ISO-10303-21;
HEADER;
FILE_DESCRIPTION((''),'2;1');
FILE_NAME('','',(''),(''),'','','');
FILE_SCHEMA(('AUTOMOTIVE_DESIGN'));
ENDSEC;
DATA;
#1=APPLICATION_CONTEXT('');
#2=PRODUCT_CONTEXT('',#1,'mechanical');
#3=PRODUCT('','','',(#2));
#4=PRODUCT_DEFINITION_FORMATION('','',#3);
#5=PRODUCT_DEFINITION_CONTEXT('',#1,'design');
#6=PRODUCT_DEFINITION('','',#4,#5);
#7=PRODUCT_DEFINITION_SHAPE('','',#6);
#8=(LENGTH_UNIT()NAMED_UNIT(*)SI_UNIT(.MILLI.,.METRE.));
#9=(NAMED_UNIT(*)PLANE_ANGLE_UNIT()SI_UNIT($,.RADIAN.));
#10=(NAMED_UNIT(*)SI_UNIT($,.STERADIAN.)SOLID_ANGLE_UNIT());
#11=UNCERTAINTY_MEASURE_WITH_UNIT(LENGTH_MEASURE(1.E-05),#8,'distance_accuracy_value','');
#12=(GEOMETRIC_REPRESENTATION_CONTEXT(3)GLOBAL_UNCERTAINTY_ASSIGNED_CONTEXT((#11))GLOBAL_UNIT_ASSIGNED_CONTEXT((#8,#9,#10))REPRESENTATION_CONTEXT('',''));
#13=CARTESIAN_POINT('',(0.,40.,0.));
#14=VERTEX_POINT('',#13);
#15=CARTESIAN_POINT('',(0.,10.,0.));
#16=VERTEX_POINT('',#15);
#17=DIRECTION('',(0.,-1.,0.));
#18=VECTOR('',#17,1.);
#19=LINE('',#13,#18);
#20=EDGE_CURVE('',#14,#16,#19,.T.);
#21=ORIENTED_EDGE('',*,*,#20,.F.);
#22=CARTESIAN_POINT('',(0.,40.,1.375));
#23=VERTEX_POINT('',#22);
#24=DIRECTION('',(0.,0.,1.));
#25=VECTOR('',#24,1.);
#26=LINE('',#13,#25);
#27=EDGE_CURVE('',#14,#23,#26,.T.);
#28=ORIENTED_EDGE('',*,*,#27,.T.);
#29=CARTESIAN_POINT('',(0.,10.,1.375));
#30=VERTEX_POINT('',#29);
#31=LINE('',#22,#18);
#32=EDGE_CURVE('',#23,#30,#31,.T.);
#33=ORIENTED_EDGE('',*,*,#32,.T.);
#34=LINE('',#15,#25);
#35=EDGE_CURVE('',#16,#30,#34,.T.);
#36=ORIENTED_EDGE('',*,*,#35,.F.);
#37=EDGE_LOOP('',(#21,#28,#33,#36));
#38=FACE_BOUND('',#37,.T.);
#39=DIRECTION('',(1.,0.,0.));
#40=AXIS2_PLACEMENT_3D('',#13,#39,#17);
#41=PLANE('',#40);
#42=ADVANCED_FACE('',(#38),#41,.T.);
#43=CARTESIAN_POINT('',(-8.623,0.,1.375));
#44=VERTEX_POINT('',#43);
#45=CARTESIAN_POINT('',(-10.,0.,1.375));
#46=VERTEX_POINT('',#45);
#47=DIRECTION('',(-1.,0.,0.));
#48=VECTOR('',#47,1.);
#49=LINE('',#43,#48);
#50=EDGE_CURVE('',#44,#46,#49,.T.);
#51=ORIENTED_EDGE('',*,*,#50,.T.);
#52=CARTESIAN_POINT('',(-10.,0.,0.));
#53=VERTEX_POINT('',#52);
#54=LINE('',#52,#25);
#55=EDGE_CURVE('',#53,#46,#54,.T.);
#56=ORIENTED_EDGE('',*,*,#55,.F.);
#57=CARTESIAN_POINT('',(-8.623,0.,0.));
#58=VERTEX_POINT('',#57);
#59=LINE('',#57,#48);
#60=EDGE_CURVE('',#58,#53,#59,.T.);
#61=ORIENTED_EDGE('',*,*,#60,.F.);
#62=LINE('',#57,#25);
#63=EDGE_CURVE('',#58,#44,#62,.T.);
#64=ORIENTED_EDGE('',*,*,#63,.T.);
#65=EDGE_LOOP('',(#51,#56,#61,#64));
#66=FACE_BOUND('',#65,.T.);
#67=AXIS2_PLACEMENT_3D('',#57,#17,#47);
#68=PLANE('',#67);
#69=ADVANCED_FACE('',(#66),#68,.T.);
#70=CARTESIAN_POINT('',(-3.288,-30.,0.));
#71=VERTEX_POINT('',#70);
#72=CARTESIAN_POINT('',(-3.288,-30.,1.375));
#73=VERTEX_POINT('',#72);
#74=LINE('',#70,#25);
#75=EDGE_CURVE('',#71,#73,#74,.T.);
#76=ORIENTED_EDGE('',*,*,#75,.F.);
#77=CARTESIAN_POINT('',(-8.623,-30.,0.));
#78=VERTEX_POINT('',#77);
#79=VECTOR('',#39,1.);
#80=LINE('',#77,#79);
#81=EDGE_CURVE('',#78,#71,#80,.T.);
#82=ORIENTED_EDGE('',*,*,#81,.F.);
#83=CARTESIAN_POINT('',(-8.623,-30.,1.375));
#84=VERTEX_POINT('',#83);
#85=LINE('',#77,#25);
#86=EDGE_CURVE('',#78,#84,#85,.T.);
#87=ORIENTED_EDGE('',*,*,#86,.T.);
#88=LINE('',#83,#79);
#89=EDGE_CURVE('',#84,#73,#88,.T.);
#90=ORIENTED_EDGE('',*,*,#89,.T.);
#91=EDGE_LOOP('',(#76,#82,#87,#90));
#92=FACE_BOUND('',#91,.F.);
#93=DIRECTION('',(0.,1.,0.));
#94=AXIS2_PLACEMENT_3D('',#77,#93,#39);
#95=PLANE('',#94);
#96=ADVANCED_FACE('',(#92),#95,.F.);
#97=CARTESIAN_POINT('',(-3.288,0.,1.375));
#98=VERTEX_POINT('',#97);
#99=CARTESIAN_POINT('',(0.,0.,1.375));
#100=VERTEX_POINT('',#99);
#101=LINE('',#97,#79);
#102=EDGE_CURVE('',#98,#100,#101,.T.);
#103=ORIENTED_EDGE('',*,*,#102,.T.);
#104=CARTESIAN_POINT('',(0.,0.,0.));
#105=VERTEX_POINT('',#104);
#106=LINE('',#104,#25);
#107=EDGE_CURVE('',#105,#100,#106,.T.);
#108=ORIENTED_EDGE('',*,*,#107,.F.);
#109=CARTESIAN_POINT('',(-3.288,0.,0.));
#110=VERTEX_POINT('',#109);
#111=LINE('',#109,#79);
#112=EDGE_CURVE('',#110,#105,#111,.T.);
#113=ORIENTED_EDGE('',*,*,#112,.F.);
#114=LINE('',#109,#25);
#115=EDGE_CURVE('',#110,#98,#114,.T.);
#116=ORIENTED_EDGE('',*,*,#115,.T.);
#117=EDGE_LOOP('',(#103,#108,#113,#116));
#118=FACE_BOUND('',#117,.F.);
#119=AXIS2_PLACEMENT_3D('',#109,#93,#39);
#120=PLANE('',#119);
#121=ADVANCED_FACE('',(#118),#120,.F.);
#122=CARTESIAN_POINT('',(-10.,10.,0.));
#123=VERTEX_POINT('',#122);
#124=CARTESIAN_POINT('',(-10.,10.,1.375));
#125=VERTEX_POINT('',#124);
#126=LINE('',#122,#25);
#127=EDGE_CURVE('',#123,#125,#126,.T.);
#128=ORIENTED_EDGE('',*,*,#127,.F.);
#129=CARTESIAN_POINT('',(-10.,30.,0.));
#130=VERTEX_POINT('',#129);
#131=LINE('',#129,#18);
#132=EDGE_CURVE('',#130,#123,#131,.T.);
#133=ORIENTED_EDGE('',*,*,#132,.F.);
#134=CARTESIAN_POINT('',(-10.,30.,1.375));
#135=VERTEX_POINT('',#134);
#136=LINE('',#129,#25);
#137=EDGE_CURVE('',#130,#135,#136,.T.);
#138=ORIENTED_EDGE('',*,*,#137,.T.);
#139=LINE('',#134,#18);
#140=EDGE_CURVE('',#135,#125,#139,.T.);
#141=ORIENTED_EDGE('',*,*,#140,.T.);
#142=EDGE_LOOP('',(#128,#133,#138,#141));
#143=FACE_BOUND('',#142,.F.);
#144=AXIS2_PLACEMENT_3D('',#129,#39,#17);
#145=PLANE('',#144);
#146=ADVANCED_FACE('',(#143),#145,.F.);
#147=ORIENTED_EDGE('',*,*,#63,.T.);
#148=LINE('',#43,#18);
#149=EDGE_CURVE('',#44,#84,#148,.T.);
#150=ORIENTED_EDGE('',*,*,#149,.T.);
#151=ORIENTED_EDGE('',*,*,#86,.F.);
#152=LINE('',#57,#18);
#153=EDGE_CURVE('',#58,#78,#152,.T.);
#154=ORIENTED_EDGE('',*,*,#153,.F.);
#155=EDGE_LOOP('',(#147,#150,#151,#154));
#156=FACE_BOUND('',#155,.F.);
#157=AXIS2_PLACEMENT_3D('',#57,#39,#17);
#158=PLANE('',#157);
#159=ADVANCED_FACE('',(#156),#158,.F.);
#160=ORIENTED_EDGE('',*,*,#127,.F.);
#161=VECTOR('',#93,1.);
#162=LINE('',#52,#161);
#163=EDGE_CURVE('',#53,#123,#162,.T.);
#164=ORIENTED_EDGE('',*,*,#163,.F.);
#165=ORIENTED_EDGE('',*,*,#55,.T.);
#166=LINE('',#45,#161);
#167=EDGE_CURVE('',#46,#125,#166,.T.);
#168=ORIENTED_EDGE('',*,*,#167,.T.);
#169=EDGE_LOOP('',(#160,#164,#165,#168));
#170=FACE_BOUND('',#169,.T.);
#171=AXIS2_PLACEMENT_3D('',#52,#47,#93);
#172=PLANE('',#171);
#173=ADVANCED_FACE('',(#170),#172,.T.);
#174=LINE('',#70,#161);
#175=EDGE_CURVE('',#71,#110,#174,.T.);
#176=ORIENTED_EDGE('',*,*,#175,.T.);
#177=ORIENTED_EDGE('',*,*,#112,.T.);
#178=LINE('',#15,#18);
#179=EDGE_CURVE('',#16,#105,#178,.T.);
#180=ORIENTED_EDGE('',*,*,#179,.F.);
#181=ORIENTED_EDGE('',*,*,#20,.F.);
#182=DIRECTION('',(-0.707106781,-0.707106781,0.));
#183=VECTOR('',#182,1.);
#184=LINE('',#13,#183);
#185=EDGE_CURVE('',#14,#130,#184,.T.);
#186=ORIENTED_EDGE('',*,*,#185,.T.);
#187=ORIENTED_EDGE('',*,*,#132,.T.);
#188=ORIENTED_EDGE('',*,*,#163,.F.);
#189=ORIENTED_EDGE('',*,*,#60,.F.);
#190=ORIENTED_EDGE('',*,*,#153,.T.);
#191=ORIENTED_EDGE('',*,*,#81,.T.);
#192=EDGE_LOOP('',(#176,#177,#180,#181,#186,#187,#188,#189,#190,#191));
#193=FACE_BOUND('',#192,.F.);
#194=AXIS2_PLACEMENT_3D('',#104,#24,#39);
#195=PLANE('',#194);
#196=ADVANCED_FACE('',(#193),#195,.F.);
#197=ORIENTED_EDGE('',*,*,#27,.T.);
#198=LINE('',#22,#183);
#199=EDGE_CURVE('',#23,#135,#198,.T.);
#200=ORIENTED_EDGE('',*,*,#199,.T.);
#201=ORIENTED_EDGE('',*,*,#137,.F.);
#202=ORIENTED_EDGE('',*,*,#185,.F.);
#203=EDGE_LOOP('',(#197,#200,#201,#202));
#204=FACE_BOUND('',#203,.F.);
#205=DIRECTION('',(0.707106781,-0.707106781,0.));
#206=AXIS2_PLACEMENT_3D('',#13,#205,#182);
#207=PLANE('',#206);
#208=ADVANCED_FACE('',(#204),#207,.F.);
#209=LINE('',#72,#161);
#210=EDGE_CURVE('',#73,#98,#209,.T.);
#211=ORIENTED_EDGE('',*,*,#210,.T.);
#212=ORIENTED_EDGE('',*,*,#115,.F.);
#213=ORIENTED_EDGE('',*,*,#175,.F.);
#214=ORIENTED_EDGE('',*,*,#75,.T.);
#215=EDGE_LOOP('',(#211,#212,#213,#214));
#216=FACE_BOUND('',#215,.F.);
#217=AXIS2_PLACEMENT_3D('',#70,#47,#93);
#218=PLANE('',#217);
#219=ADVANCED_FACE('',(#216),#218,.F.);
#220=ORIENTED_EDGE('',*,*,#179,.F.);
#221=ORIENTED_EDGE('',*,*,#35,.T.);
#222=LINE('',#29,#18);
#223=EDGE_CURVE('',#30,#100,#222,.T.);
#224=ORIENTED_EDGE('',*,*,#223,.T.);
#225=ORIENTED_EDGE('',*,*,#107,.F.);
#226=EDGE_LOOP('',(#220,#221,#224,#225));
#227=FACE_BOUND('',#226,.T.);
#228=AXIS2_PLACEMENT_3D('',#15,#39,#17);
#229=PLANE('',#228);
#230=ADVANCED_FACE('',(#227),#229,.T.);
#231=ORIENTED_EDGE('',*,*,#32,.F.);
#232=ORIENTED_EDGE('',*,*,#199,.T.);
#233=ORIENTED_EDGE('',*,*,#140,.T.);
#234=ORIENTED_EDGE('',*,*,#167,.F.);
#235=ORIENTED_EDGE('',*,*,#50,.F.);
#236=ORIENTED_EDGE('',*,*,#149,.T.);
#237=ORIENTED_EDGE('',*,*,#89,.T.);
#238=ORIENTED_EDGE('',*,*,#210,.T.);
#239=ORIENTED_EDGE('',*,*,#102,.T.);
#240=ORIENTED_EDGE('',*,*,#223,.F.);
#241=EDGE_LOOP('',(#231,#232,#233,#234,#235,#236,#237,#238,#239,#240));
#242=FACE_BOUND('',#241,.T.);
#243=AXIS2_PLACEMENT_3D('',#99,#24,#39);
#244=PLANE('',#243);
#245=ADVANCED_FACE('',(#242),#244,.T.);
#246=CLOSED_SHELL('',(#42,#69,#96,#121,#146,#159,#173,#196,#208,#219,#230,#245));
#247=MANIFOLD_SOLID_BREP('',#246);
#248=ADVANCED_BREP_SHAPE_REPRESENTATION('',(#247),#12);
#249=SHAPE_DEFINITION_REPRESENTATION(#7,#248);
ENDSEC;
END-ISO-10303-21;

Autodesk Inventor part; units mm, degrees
ref_plane "YZ Plane" through (0, 0, 0) normal (1, 0, 0) x (0, 1, 0)
ref_plane "XZ Plane" through (0, 0, 0) normal (0, 1, 0) x (-1, 0, 0)
ref_plane "XY Plane" through (0, 0, 0) normal (0, 0, 1) x (1, 0, 0)
sketch "Sketch1" plane through (0, 0, 0) normal (0, 0, 1) x (1, 0, 0)
  line L0 (-10, 0) -> (-10, 10)
  line L1 (0, 10) -> (0, 0)
  line L2 (-8.623, 0) -> (-8.623, -30)
  line L3 (-8.623, -30) -> (-3.288, -30)
  line L4 (-3.288, -30) -> (-3.288, 0)
  line L5 (0, 40) -> (-10, 30)
  line L6 (0, 40) -> (14.1421, 40) construction
  line L7 (-10, 30) -> (-10, 10)
  line L8 (-3.288, 0) -> (0, 0)
  line L9 (-8.623, 0) -> (-10, 0)
  line L10 (0, 40) -> (0, 10)
  dimension "d0" = 10
  dimension "d1" = 10
  dimension "d2" = 5.335
  dimension "d3" = 30
  dimension "d4" = 3.288
  dimension "d5" = 1.377
  dimension "d7" = 135
extrude "Extrusion1" add sketch "Sketch1" along normal blind 1.375
properties part number "bladex1"
